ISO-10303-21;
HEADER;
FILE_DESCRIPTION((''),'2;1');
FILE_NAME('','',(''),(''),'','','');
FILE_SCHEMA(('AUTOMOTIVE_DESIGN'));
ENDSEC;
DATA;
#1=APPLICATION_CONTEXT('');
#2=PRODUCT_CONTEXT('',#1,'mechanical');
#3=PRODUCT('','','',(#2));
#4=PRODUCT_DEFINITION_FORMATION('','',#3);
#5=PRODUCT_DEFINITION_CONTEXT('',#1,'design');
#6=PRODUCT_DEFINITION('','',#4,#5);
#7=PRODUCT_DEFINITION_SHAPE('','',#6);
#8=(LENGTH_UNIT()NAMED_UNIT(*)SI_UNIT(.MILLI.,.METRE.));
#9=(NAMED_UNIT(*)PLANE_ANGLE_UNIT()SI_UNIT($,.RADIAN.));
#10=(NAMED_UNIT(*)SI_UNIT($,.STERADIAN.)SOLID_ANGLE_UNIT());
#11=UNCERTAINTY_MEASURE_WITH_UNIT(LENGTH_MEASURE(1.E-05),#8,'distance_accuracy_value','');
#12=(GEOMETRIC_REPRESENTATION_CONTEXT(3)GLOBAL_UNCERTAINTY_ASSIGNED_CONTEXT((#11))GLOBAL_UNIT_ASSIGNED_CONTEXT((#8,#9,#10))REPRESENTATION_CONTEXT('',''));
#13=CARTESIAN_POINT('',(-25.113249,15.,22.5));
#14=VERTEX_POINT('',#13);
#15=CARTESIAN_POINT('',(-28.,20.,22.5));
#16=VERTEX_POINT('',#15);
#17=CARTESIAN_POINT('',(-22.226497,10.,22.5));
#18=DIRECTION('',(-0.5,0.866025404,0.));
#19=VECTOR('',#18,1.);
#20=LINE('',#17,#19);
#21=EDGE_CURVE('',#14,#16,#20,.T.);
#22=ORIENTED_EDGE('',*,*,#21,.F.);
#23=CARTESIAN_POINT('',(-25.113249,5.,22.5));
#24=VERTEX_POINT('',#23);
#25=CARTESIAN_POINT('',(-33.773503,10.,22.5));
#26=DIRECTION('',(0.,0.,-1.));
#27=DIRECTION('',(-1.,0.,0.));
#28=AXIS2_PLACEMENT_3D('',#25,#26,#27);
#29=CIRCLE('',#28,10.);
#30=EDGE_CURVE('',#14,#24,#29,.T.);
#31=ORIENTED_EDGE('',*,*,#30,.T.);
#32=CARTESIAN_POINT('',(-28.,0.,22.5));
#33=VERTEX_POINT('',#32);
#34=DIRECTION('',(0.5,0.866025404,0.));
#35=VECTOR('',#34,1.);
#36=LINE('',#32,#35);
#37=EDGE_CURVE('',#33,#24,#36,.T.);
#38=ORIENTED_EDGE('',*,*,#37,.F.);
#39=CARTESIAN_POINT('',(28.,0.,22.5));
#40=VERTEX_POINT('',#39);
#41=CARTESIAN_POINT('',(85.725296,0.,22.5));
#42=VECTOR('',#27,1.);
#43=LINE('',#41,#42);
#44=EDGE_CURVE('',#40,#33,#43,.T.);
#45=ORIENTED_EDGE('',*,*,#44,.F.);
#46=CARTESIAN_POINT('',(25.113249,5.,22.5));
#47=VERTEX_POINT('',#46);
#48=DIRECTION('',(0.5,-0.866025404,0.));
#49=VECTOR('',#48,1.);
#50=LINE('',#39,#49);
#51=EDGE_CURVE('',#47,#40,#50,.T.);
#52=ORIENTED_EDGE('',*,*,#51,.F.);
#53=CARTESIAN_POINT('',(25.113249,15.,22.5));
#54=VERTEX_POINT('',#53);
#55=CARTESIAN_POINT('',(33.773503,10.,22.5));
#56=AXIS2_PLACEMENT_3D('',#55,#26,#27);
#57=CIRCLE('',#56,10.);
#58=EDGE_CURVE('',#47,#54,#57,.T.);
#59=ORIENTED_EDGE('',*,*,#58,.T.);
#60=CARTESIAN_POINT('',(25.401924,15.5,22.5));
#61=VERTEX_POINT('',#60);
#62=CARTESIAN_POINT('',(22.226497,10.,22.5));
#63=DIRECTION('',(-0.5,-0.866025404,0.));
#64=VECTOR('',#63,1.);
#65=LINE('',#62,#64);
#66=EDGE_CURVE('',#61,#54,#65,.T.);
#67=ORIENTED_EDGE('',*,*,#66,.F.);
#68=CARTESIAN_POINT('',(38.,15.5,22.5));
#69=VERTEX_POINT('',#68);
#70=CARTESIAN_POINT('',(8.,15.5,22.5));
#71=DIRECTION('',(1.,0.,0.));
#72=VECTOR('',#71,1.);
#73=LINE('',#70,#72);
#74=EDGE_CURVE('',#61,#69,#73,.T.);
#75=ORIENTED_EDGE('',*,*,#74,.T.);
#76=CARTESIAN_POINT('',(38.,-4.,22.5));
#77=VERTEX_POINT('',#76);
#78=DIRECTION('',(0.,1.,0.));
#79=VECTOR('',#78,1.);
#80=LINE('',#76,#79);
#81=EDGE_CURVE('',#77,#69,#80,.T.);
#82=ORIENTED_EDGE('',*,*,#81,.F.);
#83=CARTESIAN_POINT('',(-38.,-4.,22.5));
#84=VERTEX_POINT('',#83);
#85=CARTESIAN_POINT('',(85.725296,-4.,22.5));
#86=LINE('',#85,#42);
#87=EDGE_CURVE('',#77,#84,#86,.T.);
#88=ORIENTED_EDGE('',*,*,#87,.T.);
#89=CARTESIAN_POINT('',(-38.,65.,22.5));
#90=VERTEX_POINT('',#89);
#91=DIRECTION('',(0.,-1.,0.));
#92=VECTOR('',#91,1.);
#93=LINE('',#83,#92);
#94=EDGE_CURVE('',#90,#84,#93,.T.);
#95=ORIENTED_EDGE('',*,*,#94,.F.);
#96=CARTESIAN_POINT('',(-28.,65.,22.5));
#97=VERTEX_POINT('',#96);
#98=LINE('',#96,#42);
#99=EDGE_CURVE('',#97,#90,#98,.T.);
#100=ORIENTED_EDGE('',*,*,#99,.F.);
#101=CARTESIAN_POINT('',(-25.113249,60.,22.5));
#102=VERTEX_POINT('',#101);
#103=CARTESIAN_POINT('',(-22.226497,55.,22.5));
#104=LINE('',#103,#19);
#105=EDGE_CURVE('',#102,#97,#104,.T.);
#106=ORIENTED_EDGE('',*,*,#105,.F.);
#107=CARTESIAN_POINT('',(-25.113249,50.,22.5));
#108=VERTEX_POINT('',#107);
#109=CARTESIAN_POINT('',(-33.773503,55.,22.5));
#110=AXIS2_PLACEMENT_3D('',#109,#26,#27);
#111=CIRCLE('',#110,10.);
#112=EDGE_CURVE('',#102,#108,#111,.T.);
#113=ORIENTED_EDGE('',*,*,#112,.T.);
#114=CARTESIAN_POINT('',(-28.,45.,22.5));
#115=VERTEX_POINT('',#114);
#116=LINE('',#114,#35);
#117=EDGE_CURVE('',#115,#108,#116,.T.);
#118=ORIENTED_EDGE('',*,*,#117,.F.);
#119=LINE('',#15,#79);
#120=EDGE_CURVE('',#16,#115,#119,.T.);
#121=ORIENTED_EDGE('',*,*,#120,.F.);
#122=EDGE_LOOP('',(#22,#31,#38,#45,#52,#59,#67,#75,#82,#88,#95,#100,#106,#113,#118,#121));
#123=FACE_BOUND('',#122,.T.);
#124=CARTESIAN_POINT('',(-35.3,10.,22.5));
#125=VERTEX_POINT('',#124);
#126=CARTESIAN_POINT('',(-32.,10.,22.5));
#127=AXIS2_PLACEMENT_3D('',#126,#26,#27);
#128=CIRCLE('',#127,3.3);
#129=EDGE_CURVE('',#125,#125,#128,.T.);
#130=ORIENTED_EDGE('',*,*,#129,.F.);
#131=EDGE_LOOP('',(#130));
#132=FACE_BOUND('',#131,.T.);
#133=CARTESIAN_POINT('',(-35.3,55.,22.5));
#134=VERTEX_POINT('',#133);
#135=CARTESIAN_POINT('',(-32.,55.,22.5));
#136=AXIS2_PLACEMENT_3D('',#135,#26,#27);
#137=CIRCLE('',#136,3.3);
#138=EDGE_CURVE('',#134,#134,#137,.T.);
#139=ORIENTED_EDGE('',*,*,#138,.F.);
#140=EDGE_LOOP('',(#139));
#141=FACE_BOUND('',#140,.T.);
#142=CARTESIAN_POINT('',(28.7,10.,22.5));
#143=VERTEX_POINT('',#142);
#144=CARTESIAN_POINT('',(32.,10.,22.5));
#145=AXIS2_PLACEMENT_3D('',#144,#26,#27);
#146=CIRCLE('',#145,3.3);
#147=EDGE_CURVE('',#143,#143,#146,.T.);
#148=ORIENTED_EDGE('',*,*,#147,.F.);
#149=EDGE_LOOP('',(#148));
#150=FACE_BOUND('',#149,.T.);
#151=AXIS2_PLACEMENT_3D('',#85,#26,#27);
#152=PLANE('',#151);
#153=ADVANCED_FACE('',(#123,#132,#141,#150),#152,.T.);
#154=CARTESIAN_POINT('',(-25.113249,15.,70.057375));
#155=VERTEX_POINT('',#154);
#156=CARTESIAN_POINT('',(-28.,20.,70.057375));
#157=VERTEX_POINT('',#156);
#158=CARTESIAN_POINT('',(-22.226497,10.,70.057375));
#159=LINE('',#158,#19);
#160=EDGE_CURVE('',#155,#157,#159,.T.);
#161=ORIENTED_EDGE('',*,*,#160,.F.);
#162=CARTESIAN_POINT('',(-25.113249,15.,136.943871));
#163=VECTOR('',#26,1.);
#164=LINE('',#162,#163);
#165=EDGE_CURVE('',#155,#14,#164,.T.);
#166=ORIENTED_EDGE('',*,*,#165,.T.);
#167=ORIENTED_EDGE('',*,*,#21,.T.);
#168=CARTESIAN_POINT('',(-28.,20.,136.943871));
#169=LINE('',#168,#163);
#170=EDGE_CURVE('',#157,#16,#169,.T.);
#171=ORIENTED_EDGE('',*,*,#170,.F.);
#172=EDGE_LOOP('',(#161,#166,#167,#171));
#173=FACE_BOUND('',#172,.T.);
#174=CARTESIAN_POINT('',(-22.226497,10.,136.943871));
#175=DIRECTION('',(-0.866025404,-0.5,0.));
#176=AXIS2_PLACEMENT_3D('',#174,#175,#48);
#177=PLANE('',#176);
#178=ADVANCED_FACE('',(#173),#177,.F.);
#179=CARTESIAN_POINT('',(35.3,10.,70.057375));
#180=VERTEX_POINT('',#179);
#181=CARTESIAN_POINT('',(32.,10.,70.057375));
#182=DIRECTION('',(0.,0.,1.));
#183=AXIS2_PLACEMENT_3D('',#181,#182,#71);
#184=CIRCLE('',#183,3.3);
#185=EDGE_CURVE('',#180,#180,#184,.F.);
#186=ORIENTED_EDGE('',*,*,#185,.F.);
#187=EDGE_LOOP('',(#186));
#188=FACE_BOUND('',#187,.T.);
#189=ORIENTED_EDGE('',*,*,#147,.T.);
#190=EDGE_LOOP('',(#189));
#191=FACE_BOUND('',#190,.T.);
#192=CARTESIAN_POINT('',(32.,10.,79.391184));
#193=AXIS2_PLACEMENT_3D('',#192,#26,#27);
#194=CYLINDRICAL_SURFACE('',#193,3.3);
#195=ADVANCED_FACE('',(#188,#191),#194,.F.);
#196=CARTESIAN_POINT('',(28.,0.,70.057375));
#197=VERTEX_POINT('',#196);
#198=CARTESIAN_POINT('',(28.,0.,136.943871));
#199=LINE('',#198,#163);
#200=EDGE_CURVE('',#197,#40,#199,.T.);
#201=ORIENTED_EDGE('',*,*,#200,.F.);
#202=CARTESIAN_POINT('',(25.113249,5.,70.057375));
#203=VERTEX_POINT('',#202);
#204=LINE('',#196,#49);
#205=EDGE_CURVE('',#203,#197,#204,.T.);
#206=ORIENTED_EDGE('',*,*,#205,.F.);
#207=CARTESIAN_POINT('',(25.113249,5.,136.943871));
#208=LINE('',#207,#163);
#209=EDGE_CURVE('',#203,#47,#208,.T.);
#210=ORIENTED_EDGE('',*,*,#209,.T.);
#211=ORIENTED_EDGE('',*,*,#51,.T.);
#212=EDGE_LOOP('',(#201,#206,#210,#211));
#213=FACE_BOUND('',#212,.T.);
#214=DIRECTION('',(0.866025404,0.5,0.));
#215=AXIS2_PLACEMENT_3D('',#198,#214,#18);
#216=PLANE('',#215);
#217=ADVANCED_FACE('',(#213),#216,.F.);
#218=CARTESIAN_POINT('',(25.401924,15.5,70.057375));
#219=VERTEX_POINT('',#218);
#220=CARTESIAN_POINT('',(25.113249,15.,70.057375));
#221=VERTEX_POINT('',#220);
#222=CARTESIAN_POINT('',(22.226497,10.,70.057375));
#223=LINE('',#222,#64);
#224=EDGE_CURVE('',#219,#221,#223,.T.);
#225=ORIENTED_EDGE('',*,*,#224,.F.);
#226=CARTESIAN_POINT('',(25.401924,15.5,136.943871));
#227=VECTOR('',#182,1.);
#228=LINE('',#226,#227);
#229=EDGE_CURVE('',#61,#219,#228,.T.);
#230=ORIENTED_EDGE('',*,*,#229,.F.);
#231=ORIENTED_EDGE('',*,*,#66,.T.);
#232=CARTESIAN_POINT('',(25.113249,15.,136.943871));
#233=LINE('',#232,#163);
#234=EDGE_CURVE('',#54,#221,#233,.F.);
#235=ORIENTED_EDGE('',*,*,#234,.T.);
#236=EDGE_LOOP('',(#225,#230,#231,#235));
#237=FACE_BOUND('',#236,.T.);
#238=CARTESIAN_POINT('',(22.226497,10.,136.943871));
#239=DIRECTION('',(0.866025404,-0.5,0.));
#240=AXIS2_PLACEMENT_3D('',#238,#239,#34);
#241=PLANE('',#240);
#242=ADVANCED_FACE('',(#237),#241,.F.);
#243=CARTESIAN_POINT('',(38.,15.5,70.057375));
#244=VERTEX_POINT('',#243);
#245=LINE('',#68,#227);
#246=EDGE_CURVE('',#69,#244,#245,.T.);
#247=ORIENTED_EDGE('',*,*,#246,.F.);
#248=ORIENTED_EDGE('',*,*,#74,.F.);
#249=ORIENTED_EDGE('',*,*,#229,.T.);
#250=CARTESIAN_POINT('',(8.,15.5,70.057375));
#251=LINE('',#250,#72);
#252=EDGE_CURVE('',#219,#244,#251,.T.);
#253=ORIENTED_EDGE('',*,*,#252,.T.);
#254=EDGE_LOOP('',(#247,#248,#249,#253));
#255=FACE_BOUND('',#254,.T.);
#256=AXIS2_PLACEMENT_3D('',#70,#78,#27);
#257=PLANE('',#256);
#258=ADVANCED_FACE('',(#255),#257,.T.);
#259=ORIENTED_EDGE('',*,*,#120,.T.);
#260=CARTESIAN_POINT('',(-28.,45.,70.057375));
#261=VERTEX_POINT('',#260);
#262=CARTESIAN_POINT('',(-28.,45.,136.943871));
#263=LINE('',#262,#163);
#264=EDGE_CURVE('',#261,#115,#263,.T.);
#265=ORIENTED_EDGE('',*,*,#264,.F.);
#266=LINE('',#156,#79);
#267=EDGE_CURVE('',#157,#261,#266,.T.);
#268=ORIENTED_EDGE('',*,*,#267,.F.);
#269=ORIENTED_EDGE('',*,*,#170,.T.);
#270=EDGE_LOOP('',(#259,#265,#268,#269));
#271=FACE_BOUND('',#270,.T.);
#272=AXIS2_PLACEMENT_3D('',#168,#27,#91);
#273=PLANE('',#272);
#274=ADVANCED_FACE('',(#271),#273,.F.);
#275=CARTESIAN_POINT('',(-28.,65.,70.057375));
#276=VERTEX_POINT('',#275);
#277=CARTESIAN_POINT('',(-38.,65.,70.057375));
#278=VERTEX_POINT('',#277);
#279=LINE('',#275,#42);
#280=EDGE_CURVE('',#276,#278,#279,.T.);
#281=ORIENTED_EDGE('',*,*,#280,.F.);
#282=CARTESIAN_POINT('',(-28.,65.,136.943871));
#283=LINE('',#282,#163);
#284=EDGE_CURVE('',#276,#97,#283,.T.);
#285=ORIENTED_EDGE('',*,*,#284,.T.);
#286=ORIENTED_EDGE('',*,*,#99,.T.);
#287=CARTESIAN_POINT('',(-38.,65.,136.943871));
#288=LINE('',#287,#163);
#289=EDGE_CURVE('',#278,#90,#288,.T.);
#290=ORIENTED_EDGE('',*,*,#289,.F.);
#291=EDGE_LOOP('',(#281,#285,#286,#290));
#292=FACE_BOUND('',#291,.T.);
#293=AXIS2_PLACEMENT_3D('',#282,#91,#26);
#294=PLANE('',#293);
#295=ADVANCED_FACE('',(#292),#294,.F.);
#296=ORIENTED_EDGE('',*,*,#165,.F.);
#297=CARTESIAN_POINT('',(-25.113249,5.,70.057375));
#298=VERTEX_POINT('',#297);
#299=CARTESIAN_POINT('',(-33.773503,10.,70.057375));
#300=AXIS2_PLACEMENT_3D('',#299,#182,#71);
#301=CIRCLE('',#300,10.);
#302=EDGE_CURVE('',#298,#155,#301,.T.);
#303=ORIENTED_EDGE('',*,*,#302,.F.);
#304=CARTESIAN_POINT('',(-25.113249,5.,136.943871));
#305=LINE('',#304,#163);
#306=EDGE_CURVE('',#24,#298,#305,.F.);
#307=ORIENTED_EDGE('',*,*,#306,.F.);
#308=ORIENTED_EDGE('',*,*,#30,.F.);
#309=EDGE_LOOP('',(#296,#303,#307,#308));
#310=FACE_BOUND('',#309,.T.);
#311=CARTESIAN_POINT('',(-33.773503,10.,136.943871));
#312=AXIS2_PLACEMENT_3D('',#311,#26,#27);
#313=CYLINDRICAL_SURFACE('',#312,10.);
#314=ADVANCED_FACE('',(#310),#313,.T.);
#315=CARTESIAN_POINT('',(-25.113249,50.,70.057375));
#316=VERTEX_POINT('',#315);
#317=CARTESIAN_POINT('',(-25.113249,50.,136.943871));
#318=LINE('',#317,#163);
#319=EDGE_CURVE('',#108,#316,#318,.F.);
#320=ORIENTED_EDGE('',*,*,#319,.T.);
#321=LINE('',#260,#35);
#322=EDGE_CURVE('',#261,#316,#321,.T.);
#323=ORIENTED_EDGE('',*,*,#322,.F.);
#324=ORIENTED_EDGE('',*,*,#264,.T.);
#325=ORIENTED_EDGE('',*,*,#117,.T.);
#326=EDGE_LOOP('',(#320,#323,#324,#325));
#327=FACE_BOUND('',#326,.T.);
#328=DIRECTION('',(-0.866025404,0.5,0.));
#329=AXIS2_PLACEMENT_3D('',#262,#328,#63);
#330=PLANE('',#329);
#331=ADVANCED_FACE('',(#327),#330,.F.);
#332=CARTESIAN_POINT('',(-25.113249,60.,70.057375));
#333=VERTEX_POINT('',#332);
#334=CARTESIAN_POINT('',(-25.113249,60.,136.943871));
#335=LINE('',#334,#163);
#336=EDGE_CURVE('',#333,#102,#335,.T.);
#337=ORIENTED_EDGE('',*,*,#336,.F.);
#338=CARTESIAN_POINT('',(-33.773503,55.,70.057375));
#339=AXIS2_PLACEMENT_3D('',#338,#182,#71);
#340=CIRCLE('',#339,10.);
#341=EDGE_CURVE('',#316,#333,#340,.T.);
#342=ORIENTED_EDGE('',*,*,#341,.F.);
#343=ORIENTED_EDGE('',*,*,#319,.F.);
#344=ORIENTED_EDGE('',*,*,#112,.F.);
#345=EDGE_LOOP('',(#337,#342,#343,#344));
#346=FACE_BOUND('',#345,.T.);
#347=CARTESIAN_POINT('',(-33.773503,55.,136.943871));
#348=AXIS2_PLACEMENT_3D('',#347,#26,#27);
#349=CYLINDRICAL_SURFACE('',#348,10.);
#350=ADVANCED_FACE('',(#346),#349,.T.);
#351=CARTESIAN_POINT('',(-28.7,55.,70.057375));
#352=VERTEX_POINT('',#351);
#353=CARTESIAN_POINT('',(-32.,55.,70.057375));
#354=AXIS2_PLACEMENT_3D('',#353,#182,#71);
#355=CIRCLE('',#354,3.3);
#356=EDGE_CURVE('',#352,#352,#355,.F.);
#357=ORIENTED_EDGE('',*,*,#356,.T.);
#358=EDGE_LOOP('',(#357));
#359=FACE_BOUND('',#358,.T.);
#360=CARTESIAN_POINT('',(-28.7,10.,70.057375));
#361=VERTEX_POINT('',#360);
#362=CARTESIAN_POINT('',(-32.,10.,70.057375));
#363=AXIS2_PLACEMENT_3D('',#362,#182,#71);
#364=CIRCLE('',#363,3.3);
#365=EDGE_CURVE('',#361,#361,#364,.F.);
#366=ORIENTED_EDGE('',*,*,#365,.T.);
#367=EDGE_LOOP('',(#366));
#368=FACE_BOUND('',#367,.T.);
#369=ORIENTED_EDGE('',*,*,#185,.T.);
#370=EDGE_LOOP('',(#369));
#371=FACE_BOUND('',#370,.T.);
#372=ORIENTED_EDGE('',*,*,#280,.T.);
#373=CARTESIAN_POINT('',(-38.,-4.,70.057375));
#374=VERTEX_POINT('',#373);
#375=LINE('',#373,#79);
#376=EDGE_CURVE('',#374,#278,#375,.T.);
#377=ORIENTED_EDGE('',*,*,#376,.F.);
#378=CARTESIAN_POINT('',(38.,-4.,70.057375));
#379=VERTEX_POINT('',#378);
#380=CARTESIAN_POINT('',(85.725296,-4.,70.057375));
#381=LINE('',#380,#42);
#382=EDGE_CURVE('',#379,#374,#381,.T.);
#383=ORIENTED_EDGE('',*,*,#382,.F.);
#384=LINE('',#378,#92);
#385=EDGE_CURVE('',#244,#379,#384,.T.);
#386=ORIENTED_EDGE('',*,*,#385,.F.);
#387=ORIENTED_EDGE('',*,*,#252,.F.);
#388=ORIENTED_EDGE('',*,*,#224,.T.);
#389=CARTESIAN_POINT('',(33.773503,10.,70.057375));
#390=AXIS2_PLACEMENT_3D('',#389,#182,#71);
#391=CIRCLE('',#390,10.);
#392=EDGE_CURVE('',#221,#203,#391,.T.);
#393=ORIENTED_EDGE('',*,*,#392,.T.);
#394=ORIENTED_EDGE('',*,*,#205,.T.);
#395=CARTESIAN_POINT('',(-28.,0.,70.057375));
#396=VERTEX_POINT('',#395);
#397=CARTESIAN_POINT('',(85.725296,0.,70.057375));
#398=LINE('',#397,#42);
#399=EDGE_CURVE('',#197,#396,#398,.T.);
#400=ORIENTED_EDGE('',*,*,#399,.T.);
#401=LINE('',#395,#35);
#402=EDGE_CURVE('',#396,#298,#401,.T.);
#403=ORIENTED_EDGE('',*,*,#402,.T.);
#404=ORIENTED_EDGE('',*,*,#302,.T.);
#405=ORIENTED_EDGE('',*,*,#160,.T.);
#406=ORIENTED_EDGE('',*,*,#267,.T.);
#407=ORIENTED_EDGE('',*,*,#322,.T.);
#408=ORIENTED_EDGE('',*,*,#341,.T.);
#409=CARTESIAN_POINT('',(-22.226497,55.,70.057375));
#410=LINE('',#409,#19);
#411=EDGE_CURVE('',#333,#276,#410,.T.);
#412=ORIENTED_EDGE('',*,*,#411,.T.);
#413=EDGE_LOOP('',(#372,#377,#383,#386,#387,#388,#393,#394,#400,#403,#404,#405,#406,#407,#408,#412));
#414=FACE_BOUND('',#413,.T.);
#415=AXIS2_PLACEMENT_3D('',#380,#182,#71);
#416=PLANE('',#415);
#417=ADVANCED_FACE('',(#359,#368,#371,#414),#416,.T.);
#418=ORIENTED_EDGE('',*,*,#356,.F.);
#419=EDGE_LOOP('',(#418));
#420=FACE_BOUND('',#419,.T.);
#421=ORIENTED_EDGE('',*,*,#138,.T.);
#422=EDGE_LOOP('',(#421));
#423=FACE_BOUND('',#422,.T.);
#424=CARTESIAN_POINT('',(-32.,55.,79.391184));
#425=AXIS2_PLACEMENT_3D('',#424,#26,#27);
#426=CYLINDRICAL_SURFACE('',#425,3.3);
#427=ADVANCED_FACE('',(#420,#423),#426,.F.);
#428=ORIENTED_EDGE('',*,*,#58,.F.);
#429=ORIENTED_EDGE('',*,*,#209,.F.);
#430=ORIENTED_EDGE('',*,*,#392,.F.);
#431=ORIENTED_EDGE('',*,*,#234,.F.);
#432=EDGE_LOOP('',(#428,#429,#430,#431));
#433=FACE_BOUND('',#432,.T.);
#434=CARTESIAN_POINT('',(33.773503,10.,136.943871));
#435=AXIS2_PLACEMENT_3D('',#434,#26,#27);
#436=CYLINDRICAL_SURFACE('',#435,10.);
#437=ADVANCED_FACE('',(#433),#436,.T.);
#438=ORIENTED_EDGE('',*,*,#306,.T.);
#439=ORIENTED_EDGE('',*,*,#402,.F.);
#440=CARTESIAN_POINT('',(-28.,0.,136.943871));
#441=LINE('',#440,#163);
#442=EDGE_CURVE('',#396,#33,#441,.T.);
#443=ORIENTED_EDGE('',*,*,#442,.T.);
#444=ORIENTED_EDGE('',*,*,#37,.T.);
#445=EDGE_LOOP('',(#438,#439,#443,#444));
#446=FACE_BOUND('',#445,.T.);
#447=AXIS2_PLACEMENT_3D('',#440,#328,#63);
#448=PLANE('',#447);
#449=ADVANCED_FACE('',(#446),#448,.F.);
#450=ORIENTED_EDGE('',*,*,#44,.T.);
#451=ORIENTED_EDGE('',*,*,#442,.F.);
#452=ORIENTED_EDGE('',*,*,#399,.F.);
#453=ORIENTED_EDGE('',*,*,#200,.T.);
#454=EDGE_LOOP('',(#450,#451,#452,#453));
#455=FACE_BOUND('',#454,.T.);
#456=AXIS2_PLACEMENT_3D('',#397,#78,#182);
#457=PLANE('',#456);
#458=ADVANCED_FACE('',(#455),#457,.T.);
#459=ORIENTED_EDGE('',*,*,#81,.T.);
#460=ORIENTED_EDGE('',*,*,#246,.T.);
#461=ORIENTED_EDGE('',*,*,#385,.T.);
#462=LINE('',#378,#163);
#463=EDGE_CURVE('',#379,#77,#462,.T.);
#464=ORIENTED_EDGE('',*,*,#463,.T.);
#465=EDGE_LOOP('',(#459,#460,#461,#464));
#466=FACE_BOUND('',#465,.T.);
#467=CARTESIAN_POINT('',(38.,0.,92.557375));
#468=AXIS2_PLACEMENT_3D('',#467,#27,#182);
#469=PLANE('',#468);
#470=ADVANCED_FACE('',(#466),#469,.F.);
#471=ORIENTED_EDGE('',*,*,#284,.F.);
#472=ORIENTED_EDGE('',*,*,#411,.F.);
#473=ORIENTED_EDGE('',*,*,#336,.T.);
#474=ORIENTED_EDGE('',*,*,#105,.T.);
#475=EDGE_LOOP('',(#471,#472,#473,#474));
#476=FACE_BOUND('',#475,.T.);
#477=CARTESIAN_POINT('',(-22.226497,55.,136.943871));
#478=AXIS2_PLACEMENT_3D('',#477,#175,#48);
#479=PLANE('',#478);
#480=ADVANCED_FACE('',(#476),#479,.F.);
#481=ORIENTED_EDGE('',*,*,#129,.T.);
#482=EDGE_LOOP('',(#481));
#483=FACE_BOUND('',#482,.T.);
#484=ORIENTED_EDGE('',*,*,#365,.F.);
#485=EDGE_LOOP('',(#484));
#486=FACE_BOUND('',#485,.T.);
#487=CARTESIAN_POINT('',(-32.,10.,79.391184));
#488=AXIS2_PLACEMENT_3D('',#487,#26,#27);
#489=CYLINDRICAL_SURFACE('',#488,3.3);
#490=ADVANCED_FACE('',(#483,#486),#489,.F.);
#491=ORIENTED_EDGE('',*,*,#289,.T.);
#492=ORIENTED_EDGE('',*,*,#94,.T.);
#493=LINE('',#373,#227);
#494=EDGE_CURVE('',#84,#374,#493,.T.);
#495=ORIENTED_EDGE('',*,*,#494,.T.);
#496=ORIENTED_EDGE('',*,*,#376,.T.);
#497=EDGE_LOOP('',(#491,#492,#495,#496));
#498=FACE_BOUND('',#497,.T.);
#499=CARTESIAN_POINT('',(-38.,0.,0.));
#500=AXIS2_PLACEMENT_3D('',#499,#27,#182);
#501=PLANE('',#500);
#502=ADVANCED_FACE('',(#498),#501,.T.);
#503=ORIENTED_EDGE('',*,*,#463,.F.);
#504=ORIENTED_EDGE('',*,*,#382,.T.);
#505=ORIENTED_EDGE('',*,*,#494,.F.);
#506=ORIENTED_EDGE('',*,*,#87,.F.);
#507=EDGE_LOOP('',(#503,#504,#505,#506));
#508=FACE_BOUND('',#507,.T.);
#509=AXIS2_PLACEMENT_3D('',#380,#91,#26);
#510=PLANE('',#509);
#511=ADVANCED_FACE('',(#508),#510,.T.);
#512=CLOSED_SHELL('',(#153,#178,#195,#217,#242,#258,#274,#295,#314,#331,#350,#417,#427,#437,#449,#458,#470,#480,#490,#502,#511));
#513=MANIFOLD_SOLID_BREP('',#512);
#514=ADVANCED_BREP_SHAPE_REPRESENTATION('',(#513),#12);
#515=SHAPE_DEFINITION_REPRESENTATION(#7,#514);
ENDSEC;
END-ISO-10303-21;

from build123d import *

# Parameters (mm, degrees)
SKIZZE1_W                       = 47.557374535
SKIZZE1_H                       = 4
AUFSATZ_LINEAR_AUSTRAGEN1_DEPTH = 76
AUFSATZ_LINEAR_AUSTRAGEN2_DEPTH = 47.557374535
VERRUNDUNG1_R                   = 10
SKIZZE3_R                       = 3.3
SCHNITT_LINEAR_AUSTRAGEN1_DEPTH = 47.557374535
SKIZZE4_W                       = 47.557374535
SKIZZE4_H                       = 15
SCHNITT_LINEAR_AUSTRAGEN2_DEPTH = 30
SKIZZE5_W                       = 47.557374535
SKIZZE5_H                       = 34.5
TEMPOR_R_DEPTH                  = 20


with BuildPart() as part:
    # Skizze1 → Aufsatz-Linear austragen1 (new body)
    with BuildSketch(Plane.ZY.offset(38)):
        with Locations((46.278687268, -2)):
            Rectangle(SKIZZE1_W, SKIZZE1_H)
    extrude(amount=-AUFSATZ_LINEAR_AUSTRAGEN1_DEPTH)

    # Skizze2 → Aufsatz-Linear austragen2 (add)
    with BuildSketch(Plane.XY.offset(22.5)):
        Polygon((-38, 65), (-38, 0), (-28, 0), (-22.226497308, 10), (-28, 20), (-28, 45), (-22.226497308, 55), (-28, 65), align=None)
        Polygon((28, 65), (38, 65), (38, 0), (28, 0), (22.226497308, 10), (28, 20), (28, 45), (22.226497308, 55), align=None)
    extrude(amount=AUFSATZ_LINEAR_AUSTRAGEN2_DEPTH)

    # Verrundung1
    verrundung1_edges = [part.edges().sort_by_distance(p)[0] for p in [
        (-22.226497308, 10, 46.278687268),
        (-22.226497308, 55, 46.278687268),
        (22.226497308, 55, 46.278687268),
        (22.226497308, 10, 46.278687268),
    ]]
    fillet(verrundung1_edges, radius=VERRUNDUNG1_R)

    # Skizze3 → Schnitt-Linear austragen1 (cut)
    with BuildSketch(Plane(origin=(0, 0, 22.5), x_dir=(-1, 0, 0), z_dir=(0, 0, -1))):
        with Locations((32, 10)):
            Circle(SKIZZE3_R)
        with Locations((32, 55)):
            Circle(SKIZZE3_R)
        with Locations((-32, 55)):
            Circle(SKIZZE3_R)
        with Locations((-32, 10)):
            Circle(SKIZZE3_R)
    extrude(amount=-SCHNITT_LINEAR_AUSTRAGEN1_DEPTH, mode=Mode.SUBTRACT)

    # Skizze4 → Schnitt-Linear austragen2 (cut)
    with BuildSketch(Plane.ZY.offset(-38)):
        with Locations((46.278687268, 23)):
            Rectangle(SKIZZE4_W, SKIZZE4_H)
    extrude(amount=SCHNITT_LINEAR_AUSTRAGEN2_DEPTH, mode=Mode.SUBTRACT)


with BuildPart() as schnitt_linear_austragen2_piece_1:
    # of the separate pieces the step leaves, piece 1, a body of its own (schnitt_linear_austragen2_pieces)
    add(part.part.solids().sort_by_distance((38, 15.5, 22.5))[0])


with BuildPart() as schnitt_linear_austragen2_piece_2:
    # of the separate pieces the step leaves, piece 2, a body of its own (schnitt_linear_austragen2_pieces)
    add(part.part.solids().sort_by_distance((25.113248654, 60, 22.5))[0])

    # Skizze5 → temporär (cut)
    with BuildSketch(Plane(origin=(38, 0, 0), x_dir=(0, 0, -1), z_dir=(1, 0, 0))):
        with Locations((-46.278687268, 47.75)):
            Rectangle(SKIZZE5_W, SKIZZE5_H)
    extrude(amount=-TEMPOR_R_DEPTH, mode=Mode.SUBTRACT)


solid = schnitt_linear_austragen2_piece_1.part
